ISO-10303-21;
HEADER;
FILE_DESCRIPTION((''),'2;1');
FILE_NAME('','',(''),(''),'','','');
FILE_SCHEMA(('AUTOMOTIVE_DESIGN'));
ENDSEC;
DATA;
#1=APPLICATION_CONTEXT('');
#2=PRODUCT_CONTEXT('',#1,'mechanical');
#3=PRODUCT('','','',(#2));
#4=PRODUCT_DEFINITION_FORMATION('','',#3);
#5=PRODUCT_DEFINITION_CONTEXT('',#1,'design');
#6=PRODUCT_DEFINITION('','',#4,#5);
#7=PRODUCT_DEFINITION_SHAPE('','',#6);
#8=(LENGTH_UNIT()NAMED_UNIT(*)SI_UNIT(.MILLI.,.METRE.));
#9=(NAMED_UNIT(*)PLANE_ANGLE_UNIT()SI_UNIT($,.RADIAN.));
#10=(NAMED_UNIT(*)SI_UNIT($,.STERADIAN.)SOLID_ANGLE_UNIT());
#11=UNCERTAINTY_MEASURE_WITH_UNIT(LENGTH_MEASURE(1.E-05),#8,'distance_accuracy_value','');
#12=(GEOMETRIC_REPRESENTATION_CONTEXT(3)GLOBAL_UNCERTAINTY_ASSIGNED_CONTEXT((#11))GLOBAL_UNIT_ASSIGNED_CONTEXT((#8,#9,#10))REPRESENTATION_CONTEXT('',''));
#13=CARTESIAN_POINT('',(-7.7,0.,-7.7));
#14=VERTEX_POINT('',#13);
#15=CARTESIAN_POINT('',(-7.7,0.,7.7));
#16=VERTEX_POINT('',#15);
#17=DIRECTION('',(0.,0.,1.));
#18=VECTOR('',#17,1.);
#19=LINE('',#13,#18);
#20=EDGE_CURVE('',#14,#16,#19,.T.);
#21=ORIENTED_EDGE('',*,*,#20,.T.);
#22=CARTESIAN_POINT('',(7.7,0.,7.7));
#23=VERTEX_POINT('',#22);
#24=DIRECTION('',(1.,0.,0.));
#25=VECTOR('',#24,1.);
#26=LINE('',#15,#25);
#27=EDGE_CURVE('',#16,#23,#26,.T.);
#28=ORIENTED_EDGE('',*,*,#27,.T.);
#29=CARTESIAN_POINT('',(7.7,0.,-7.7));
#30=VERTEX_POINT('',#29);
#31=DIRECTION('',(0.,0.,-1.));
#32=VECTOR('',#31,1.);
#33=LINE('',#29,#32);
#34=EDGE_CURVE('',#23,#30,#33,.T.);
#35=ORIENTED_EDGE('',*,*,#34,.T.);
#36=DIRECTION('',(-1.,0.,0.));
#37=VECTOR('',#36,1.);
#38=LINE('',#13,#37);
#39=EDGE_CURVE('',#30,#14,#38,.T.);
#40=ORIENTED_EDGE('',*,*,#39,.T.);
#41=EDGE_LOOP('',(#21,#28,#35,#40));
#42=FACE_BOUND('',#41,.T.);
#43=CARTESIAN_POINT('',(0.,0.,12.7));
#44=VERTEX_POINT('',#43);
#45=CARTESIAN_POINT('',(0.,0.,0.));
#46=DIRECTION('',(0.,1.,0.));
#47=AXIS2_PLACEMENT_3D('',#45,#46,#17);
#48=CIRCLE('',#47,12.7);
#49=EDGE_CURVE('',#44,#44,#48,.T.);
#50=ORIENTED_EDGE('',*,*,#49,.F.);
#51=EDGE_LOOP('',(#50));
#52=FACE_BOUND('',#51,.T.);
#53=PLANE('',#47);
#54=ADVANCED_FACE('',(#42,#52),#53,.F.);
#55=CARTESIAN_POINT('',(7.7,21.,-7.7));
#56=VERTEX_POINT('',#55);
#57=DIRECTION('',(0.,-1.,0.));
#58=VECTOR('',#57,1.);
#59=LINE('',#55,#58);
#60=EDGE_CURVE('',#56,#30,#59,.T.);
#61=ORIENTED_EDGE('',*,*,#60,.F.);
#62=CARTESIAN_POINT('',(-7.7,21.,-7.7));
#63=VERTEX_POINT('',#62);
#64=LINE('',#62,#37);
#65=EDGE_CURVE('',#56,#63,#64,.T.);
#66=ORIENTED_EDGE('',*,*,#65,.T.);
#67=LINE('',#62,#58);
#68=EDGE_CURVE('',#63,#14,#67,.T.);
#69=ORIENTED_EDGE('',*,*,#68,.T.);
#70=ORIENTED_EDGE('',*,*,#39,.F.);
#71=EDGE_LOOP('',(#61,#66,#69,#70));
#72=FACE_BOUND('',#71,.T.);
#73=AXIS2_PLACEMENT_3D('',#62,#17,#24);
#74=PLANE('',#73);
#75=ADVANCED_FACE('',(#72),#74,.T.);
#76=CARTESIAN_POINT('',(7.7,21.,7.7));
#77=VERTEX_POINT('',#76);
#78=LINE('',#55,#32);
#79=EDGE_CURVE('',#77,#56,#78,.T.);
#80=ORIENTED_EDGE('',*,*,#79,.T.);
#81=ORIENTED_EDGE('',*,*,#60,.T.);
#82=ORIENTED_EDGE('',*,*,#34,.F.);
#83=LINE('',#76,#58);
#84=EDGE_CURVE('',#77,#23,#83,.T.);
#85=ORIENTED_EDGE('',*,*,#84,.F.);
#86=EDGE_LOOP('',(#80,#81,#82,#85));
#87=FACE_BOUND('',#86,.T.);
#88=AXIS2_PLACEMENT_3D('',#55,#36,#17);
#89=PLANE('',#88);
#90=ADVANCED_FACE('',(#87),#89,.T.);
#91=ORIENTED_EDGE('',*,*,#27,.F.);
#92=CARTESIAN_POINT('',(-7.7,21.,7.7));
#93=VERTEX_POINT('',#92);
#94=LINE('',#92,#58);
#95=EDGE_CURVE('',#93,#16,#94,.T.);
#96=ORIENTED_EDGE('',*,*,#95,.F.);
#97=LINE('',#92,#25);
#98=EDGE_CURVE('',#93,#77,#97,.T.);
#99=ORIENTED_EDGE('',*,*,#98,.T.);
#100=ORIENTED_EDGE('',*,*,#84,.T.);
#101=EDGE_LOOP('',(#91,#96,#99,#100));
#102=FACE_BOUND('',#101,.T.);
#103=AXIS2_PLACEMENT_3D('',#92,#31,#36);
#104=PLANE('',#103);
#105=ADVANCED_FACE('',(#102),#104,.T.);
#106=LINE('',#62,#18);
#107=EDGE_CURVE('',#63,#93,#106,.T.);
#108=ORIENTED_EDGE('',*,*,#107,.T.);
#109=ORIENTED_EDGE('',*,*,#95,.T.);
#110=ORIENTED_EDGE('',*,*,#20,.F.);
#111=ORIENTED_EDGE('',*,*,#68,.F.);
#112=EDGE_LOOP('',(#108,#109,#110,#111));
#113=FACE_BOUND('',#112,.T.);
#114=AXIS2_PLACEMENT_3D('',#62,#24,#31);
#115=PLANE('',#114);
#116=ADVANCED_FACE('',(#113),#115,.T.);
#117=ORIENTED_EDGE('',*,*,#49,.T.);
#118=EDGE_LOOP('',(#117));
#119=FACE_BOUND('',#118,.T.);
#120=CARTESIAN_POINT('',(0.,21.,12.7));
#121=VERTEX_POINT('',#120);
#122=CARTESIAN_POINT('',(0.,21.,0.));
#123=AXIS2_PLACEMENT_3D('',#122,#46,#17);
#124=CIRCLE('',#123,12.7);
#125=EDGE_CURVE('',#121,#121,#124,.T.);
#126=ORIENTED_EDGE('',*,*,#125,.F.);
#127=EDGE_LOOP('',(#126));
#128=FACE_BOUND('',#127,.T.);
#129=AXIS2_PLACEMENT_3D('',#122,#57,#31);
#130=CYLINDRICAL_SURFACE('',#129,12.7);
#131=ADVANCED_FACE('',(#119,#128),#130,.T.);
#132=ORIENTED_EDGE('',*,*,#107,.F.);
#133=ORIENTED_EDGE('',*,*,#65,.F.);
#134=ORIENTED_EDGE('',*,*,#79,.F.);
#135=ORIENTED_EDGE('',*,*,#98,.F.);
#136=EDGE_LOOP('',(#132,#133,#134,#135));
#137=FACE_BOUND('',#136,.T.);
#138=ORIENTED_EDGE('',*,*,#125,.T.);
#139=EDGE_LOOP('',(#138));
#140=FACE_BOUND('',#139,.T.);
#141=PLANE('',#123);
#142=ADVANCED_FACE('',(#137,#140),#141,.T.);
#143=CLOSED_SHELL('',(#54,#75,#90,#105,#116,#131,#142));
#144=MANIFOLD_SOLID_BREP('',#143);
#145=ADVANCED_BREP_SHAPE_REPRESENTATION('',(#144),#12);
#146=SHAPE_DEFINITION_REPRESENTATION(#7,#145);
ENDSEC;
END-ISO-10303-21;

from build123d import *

# Parameters (mm, degrees)
SKETCH2_R           = 12.7
SKETCH2_W           = 15.4
SKETCH2_H           = 15.4
BOSS_EXTRUDE2_DEPTH = 21


with BuildPart() as part:
    # Sketch2 → Boss-Extrude2 (new body)
    with BuildSketch(Plane(origin=(0, 0, 0), x_dir=(1, 0, 0), z_dir=(0, 1, 0))):
        Circle(SKETCH2_R)
        Rectangle(SKETCH2_W, SKETCH2_H, mode=Mode.SUBTRACT)
    extrude(amount=BOSS_EXTRUDE2_DEPTH)


solid = part.part
